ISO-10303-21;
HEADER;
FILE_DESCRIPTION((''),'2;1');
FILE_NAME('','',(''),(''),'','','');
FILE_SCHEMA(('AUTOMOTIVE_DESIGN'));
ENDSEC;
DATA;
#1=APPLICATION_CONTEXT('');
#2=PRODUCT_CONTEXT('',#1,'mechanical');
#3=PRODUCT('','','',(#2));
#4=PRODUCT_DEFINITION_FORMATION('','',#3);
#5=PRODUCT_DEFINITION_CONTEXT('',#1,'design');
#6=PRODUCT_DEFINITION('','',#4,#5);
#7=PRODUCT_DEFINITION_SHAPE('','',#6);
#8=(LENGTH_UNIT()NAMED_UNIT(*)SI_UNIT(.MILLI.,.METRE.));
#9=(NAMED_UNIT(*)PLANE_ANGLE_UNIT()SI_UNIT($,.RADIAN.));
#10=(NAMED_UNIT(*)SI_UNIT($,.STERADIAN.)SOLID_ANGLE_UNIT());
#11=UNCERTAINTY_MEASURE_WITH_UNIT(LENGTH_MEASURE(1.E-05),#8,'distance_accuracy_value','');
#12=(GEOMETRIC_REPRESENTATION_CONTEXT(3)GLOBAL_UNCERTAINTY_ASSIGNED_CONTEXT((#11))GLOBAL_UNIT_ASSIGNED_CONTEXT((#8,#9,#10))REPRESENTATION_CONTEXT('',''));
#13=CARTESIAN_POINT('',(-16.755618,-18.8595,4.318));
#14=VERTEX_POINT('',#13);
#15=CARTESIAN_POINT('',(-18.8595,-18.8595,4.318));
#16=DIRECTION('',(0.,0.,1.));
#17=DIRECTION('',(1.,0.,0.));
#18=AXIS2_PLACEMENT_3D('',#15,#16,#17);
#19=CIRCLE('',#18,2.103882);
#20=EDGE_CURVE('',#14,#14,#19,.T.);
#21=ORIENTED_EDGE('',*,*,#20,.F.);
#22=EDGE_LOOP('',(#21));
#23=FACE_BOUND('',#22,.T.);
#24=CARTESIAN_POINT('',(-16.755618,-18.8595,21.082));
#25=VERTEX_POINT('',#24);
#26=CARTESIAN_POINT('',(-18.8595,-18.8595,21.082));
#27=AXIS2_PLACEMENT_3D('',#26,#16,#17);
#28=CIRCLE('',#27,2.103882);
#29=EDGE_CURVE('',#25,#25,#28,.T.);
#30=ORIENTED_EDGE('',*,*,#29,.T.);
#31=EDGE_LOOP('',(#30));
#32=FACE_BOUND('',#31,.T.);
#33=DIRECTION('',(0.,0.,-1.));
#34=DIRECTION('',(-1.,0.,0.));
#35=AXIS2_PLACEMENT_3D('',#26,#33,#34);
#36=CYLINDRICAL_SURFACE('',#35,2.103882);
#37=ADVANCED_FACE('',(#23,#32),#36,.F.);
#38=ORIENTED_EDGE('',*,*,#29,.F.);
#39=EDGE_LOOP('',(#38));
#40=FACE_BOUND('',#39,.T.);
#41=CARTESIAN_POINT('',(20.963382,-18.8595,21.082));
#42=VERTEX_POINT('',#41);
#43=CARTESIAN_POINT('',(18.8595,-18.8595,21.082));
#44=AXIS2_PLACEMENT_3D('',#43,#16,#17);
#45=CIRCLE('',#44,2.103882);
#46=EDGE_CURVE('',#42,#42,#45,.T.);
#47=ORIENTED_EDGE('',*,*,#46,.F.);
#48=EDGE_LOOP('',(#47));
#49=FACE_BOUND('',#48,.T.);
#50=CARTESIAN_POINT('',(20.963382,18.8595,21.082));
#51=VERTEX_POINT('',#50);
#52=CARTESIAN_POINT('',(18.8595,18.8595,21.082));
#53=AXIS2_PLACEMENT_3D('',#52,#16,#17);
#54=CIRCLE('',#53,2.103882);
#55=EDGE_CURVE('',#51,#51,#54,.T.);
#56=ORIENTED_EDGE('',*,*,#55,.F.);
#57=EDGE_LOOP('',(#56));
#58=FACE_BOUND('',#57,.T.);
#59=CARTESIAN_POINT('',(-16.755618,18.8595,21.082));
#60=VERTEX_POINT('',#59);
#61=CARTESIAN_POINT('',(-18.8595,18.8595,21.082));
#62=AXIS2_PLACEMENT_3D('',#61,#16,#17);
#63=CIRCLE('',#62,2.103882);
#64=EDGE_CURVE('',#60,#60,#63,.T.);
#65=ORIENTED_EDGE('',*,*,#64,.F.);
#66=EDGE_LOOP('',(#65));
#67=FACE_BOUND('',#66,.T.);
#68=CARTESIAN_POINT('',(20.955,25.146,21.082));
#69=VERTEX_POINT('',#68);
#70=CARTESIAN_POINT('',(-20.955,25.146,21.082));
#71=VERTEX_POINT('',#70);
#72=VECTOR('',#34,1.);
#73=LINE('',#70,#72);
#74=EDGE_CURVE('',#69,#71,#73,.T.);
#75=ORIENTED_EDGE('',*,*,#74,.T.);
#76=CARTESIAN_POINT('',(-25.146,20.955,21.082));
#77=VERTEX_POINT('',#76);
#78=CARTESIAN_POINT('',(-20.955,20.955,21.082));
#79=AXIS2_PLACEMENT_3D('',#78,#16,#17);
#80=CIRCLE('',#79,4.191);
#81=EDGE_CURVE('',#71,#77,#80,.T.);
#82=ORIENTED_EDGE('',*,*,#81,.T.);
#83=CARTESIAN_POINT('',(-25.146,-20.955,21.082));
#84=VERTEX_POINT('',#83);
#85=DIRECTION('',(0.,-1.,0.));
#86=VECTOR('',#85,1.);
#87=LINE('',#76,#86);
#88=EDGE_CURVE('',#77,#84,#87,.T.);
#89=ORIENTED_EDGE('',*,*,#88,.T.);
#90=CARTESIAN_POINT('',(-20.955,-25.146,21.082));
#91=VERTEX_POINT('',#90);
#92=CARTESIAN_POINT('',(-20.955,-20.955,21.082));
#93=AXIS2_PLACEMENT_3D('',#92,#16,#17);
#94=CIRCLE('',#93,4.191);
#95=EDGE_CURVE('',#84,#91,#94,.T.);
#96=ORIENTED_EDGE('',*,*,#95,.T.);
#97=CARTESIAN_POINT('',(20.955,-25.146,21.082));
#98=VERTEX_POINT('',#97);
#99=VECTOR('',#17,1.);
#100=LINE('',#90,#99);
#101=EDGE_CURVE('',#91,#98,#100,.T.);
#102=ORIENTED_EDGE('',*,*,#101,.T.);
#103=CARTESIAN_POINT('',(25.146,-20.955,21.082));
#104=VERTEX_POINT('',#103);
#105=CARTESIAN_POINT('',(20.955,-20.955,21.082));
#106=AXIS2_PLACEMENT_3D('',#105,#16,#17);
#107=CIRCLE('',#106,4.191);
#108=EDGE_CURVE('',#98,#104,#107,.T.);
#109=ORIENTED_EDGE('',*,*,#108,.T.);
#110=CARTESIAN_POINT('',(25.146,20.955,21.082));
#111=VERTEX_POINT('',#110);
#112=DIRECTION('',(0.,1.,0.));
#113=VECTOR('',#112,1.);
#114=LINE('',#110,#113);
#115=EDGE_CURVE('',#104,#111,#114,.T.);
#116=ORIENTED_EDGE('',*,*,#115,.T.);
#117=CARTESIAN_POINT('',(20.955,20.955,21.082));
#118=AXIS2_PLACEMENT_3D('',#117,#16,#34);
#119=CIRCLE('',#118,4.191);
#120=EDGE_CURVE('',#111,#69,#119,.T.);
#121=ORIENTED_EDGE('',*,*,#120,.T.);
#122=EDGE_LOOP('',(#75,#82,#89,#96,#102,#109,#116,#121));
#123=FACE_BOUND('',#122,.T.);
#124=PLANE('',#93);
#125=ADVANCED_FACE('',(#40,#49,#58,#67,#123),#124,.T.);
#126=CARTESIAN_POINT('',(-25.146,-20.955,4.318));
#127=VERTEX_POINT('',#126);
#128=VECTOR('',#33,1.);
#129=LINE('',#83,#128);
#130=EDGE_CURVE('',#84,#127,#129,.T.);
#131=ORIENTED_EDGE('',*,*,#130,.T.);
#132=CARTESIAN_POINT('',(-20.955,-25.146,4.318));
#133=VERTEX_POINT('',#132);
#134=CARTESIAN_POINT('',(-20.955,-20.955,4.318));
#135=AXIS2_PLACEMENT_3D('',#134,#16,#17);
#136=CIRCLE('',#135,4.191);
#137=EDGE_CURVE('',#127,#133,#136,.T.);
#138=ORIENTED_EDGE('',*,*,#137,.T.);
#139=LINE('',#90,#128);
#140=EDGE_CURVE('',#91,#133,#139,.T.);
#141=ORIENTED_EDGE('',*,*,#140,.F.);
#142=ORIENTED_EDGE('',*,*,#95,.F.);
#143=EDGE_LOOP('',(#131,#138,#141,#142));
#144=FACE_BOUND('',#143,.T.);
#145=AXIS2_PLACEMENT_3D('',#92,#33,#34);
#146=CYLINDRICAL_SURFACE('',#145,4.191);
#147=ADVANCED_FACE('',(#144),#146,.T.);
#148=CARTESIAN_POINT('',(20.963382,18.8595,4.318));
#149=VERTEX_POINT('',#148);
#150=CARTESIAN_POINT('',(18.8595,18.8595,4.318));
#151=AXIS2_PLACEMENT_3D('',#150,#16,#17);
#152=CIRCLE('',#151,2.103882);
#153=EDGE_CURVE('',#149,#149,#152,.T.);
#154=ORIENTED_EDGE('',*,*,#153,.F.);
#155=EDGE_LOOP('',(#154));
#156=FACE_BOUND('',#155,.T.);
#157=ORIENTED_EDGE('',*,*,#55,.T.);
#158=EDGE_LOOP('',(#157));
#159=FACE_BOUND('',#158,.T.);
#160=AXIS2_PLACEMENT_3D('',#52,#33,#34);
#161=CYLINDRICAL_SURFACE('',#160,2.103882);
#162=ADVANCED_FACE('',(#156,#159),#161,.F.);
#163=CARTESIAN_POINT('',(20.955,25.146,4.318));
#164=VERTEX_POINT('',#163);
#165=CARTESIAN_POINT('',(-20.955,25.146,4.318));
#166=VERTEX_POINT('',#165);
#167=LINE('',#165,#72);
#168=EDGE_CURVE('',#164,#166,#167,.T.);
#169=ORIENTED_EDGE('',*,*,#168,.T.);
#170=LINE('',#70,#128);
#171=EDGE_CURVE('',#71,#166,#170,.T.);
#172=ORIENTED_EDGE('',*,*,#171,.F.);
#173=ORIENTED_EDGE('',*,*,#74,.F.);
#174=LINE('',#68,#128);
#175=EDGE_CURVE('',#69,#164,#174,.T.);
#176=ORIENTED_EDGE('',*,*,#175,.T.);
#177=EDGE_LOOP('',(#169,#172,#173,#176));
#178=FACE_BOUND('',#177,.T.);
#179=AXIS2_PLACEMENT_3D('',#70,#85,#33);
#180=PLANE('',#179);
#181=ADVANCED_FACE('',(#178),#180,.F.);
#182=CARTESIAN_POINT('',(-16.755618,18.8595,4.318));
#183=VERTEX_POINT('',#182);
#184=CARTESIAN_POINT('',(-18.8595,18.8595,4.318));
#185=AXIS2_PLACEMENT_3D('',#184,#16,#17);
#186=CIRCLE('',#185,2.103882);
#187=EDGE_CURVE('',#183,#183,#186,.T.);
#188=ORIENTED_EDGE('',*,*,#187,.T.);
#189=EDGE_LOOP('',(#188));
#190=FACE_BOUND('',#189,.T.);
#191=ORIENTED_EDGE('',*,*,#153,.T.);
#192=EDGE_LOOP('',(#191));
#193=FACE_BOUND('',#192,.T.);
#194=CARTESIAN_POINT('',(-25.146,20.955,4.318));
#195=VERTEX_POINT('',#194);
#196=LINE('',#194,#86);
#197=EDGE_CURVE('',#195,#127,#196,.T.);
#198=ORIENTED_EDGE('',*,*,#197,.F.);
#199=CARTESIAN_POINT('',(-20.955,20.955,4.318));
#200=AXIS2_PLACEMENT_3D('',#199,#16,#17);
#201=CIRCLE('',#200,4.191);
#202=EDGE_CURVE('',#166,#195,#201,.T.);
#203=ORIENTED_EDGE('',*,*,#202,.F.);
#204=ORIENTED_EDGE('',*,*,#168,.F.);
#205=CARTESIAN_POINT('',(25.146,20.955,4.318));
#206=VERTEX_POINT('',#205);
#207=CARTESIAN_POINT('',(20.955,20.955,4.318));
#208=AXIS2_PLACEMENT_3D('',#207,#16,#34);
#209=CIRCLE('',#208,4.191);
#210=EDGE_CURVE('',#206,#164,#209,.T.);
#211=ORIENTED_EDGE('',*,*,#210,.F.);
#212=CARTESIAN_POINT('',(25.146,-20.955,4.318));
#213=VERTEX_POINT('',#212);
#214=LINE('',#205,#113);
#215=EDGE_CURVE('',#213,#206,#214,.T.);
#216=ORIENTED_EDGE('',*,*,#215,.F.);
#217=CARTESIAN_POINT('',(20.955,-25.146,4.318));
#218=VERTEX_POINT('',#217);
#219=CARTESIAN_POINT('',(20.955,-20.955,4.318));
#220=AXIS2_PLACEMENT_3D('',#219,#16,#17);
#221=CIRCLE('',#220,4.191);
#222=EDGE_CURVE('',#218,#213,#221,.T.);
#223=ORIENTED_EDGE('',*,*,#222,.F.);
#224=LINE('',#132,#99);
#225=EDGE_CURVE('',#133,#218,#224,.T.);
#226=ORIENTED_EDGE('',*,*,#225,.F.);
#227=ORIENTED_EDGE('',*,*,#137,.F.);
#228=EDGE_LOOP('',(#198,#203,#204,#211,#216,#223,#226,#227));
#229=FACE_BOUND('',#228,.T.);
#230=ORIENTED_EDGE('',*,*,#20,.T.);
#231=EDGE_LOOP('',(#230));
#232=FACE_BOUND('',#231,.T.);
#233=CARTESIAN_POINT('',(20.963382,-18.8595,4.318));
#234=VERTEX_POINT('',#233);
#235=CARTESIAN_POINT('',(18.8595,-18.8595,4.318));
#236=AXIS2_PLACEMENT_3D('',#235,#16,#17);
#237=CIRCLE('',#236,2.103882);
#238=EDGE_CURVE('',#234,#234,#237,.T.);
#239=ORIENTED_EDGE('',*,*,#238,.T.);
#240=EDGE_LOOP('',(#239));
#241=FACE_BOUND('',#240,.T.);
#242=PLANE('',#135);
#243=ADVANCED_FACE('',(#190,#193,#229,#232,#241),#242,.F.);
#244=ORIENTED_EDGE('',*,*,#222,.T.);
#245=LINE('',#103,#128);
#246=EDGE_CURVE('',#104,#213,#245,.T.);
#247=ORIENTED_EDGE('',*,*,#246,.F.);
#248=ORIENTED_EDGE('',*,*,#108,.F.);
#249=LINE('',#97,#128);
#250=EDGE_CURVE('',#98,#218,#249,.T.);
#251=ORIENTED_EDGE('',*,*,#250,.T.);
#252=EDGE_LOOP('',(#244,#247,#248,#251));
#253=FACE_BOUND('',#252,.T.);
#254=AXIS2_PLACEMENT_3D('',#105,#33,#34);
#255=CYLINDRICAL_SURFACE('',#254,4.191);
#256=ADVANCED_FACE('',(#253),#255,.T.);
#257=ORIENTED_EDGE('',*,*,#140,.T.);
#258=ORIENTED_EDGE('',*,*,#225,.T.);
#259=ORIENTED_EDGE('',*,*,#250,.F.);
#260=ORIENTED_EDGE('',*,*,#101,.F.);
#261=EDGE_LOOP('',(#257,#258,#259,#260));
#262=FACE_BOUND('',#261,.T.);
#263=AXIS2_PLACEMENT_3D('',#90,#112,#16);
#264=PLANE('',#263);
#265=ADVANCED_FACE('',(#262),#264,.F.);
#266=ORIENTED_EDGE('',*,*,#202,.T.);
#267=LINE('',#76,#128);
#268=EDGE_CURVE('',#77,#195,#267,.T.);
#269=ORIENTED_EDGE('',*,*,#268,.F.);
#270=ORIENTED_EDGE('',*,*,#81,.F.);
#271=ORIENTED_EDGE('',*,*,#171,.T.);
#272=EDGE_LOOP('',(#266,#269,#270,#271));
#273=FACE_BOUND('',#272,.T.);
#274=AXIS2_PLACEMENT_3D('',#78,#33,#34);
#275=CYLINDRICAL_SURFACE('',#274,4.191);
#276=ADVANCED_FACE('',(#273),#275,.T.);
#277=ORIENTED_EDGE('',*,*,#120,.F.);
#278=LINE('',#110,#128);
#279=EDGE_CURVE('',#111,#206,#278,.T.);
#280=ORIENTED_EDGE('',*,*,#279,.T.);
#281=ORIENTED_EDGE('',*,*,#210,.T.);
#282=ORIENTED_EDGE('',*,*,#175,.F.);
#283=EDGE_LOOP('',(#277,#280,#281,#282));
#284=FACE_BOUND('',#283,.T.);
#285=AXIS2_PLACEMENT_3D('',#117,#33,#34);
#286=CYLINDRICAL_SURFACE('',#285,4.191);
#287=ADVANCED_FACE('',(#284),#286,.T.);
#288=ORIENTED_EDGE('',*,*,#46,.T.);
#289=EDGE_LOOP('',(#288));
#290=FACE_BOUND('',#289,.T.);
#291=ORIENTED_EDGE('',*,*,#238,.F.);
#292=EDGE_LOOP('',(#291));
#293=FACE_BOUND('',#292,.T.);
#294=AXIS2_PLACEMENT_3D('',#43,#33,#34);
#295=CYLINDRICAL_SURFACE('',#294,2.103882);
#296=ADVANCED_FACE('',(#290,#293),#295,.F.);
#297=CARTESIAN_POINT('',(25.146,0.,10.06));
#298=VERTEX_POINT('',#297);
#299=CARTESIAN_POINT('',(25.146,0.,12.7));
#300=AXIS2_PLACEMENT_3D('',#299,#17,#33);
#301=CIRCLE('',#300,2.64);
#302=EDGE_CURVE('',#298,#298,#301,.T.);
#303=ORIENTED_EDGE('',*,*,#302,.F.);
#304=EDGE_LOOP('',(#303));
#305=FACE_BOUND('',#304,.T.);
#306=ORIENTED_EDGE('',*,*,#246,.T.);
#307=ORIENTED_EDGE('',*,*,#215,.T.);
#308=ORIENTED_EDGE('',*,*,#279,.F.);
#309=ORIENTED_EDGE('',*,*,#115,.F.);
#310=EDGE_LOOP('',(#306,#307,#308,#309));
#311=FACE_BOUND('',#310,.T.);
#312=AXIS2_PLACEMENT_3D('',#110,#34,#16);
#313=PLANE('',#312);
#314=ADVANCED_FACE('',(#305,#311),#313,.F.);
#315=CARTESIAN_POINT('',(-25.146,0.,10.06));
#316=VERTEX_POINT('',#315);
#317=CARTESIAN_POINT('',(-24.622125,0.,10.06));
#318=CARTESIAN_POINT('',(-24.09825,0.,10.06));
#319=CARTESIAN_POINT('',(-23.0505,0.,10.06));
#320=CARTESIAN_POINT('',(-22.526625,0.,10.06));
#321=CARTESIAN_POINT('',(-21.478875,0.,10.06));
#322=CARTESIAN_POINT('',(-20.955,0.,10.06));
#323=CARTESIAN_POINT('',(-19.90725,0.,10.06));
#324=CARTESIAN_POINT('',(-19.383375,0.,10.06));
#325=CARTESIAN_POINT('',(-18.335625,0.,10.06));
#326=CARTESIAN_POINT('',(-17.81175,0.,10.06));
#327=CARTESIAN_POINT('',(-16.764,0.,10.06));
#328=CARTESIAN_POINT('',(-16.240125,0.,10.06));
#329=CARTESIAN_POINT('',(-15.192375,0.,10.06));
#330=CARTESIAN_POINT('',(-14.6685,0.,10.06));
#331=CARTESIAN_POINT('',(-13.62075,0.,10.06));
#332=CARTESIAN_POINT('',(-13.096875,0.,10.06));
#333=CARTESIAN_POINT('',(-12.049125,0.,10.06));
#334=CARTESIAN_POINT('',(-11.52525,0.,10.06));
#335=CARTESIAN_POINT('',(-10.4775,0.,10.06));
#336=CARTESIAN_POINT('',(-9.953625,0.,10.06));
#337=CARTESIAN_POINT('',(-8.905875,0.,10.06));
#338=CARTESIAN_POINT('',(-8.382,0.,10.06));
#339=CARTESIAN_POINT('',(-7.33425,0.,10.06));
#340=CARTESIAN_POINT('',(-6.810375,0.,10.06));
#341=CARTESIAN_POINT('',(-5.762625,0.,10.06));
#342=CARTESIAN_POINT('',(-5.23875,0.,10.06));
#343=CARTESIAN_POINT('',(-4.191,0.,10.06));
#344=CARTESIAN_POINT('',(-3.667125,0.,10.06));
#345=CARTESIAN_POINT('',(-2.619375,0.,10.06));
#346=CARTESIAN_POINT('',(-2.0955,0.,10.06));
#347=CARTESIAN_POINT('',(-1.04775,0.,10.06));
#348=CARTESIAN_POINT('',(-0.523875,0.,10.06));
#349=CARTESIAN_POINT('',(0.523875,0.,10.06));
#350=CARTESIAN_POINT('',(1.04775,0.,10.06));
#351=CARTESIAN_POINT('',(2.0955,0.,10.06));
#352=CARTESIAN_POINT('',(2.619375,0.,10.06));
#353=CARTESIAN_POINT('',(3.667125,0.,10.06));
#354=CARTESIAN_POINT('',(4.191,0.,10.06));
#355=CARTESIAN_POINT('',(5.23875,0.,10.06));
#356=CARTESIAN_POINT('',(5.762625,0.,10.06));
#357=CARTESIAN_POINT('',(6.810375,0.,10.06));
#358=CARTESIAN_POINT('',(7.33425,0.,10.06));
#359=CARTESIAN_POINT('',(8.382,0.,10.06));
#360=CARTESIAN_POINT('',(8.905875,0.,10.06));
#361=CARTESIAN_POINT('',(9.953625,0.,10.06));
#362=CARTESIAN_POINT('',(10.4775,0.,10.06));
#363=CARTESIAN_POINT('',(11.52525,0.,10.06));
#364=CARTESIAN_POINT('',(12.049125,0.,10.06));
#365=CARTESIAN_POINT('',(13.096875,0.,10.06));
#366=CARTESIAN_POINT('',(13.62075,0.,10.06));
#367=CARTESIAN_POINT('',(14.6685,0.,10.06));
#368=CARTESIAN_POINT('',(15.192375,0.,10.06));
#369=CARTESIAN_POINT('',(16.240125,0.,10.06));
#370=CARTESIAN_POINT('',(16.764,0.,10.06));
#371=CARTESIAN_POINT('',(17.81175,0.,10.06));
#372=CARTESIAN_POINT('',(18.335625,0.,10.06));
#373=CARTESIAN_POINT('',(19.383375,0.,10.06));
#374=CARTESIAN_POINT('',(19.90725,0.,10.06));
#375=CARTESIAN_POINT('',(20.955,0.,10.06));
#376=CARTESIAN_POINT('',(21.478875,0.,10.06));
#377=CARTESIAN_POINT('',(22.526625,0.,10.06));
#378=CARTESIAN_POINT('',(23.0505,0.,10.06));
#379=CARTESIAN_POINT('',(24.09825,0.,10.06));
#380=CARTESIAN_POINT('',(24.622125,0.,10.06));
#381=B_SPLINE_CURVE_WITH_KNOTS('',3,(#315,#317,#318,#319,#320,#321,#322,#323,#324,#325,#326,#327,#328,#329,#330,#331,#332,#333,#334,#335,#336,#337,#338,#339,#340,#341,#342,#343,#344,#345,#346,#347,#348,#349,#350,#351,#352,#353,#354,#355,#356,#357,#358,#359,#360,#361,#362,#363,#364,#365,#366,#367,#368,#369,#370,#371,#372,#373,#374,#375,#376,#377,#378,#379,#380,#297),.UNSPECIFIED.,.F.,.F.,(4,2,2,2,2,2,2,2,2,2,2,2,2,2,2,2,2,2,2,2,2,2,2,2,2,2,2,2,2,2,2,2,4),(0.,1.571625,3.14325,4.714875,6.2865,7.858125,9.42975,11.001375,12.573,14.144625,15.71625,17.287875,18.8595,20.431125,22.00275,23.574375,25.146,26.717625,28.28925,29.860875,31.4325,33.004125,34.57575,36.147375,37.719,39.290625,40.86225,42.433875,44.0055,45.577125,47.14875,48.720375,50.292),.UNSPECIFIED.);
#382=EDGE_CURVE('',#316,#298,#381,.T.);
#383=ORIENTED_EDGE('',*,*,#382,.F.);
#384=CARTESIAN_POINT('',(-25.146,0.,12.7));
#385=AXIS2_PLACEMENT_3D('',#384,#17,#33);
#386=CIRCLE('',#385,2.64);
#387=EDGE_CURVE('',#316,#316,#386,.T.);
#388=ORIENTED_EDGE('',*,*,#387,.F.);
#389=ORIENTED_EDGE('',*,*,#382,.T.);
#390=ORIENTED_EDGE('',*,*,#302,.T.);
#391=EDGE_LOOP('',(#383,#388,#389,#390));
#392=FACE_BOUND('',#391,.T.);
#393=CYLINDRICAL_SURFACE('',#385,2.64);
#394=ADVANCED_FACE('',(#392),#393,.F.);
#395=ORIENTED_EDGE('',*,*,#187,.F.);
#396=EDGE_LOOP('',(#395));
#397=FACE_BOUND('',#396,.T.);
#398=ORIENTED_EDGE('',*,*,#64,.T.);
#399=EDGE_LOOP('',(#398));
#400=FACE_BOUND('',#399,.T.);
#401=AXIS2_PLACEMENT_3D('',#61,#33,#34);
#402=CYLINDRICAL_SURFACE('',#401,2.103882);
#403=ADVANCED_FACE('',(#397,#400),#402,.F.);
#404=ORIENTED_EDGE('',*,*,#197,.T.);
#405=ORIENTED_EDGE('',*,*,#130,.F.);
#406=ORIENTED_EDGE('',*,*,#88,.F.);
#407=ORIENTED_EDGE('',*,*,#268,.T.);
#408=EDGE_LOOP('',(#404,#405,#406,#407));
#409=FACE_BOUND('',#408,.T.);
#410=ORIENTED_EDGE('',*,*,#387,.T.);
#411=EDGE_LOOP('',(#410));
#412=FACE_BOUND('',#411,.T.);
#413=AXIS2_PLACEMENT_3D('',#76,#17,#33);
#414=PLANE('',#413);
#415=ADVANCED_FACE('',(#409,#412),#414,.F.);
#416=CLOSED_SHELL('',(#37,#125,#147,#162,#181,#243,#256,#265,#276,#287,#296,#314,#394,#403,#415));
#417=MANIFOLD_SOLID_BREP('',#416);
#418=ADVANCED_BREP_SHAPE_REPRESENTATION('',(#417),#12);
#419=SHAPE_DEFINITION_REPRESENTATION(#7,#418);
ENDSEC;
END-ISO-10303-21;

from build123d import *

# Parameters (mm, degrees)
SKETCH1_R           = 3.1877
BOSS_EXTRUDE1_DEPTH = 25.4
SKETCH3_R           = 4
CUT_EXTRUDE1_DEPTH  = 89.9
SCALE1_SCALE        = 0.66


with BuildPart() as part:
    # Sketch1 → Boss-Extrude1 (new body)
    with BuildSketch(Plane.XY):
        with BuildLine():
            Line((-31.75, 38.1), (31.75, 38.1))
            ThreePointArc((31.75, 38.1), (36.240128061, 36.240128061), (38.1, 31.75))
            Line((38.1, 31.75), (38.1, -31.75))
            ThreePointArc((38.1, -31.75), (36.240128061, -36.240128061), (31.75, -38.1))
            Line((31.75, -38.1), (-31.75, -38.1))
            ThreePointArc((-31.75, -38.1), (-36.240128061, -36.240128061), (-38.1, -31.75))
            Line((-38.1, -31.75), (-38.1, 31.75))
            ThreePointArc((-38.1, 31.75), (-36.240128061, 36.240128061), (-31.75, 38.1))
        make_face()
        with Locations((-28.575, 28.575)):
            Circle(SKETCH1_R, mode=Mode.SUBTRACT)
        with Locations((28.575, 28.575)):
            Circle(SKETCH1_R, mode=Mode.SUBTRACT)
        with Locations((28.575, -28.575)):
            Circle(SKETCH1_R, mode=Mode.SUBTRACT)
        with Locations((-28.575, -28.575)):
            Circle(SKETCH1_R, mode=Mode.SUBTRACT)
    extrude(amount=BOSS_EXTRUDE1_DEPTH)

    # Sketch3 → Cut-Extrude1 (cut, through all)
    with BuildSketch(Plane(origin=(38.1, 0, 0), x_dir=(0, 0, -1), z_dir=(1, 0, 0))):
        with Locations((-12.7, 0)):
            Circle(SKETCH3_R)
    extrude(amount=-CUT_EXTRUDE1_DEPTH, mode=Mode.SUBTRACT)


with BuildPart() as part_1:
    # Scale1: scaled about (0, 0, 12.7)
    add(part.part.scale(SCALE1_SCALE).moved(Location((0, 0, 4.318))))


solid = part_1.part
